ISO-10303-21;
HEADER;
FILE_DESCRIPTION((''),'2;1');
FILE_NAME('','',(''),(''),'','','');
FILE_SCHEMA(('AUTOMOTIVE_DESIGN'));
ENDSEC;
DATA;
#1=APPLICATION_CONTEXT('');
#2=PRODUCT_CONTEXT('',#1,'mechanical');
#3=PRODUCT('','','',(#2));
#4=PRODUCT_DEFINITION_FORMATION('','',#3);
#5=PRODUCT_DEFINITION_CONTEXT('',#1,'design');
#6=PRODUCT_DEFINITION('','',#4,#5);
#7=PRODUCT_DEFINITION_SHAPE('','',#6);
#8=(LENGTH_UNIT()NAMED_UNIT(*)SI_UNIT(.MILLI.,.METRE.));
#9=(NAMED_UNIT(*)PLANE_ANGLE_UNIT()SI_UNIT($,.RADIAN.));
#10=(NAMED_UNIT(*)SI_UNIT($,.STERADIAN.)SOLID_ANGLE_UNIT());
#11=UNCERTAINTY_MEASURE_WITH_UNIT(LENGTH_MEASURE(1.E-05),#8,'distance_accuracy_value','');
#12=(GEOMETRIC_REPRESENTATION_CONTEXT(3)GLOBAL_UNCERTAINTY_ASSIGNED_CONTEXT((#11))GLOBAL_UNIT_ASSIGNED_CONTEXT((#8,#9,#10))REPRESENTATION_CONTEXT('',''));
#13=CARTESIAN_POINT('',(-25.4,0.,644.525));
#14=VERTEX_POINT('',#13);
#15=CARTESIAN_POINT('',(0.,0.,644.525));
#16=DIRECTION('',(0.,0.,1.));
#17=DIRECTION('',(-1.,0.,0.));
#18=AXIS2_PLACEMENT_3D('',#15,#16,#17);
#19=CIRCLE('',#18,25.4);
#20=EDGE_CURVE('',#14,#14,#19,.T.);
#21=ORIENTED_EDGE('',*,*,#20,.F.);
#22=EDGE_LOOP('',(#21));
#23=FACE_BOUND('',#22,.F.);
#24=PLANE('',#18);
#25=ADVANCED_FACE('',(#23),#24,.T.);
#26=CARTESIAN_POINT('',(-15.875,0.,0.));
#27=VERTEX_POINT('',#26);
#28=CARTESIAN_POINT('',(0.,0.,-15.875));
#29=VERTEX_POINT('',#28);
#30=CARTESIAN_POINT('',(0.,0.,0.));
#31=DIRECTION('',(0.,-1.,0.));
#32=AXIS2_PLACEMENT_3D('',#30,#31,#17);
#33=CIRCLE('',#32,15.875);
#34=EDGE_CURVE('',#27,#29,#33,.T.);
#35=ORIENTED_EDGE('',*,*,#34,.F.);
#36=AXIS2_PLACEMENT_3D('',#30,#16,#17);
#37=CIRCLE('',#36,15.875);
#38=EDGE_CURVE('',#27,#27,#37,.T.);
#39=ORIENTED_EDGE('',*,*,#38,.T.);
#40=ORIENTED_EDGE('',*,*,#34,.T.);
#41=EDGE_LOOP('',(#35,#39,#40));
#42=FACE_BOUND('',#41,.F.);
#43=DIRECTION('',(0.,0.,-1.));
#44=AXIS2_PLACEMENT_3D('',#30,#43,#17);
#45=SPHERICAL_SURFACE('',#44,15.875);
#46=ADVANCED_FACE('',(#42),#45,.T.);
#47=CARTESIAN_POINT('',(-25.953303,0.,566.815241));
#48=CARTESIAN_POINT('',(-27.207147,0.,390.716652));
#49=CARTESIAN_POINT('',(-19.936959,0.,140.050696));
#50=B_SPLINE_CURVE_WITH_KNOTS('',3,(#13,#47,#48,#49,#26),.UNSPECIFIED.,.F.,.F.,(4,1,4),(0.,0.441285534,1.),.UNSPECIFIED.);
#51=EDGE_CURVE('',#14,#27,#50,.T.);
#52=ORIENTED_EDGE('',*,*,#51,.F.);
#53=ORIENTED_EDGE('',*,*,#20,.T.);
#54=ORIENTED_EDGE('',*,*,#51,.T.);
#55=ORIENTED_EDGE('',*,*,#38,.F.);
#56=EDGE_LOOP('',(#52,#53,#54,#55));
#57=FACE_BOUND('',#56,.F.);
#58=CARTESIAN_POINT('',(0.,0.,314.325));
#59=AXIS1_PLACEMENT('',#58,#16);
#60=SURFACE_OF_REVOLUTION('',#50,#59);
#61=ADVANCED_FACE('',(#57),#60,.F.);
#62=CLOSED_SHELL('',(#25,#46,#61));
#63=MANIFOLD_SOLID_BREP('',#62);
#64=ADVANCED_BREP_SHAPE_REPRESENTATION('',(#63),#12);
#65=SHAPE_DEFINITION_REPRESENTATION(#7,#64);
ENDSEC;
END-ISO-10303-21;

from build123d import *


with BuildPart() as f1:
    # F0 (on Front) → F1 (revolve)
    with BuildSketch(Plane.XZ):
        with BuildLine():
            Line((0, -15.875), (0, 644.525))
            Line((0, 644.525), (-25.4, 644.525))
            add(Edge.make_bspline(
                [(-25.4, 644.525), (-25.9533032218, 566.8152405015), (-27.2071472286, 390.7166522965), (-19.9369592151, 140.0506959777), (-15.875, 0)],
                knots=[0, 0, 0, 0, 0.4412855338, 1, 1, 1, 1], degree=3))
            ThreePointArc((-15.875, 0), (-11.2253201513, -11.2253201513), (0, -15.875))
        make_face()
    revolve(axis=Axis((0, 0, 314.325), (0, 0, 1)))


solid = f1.part
